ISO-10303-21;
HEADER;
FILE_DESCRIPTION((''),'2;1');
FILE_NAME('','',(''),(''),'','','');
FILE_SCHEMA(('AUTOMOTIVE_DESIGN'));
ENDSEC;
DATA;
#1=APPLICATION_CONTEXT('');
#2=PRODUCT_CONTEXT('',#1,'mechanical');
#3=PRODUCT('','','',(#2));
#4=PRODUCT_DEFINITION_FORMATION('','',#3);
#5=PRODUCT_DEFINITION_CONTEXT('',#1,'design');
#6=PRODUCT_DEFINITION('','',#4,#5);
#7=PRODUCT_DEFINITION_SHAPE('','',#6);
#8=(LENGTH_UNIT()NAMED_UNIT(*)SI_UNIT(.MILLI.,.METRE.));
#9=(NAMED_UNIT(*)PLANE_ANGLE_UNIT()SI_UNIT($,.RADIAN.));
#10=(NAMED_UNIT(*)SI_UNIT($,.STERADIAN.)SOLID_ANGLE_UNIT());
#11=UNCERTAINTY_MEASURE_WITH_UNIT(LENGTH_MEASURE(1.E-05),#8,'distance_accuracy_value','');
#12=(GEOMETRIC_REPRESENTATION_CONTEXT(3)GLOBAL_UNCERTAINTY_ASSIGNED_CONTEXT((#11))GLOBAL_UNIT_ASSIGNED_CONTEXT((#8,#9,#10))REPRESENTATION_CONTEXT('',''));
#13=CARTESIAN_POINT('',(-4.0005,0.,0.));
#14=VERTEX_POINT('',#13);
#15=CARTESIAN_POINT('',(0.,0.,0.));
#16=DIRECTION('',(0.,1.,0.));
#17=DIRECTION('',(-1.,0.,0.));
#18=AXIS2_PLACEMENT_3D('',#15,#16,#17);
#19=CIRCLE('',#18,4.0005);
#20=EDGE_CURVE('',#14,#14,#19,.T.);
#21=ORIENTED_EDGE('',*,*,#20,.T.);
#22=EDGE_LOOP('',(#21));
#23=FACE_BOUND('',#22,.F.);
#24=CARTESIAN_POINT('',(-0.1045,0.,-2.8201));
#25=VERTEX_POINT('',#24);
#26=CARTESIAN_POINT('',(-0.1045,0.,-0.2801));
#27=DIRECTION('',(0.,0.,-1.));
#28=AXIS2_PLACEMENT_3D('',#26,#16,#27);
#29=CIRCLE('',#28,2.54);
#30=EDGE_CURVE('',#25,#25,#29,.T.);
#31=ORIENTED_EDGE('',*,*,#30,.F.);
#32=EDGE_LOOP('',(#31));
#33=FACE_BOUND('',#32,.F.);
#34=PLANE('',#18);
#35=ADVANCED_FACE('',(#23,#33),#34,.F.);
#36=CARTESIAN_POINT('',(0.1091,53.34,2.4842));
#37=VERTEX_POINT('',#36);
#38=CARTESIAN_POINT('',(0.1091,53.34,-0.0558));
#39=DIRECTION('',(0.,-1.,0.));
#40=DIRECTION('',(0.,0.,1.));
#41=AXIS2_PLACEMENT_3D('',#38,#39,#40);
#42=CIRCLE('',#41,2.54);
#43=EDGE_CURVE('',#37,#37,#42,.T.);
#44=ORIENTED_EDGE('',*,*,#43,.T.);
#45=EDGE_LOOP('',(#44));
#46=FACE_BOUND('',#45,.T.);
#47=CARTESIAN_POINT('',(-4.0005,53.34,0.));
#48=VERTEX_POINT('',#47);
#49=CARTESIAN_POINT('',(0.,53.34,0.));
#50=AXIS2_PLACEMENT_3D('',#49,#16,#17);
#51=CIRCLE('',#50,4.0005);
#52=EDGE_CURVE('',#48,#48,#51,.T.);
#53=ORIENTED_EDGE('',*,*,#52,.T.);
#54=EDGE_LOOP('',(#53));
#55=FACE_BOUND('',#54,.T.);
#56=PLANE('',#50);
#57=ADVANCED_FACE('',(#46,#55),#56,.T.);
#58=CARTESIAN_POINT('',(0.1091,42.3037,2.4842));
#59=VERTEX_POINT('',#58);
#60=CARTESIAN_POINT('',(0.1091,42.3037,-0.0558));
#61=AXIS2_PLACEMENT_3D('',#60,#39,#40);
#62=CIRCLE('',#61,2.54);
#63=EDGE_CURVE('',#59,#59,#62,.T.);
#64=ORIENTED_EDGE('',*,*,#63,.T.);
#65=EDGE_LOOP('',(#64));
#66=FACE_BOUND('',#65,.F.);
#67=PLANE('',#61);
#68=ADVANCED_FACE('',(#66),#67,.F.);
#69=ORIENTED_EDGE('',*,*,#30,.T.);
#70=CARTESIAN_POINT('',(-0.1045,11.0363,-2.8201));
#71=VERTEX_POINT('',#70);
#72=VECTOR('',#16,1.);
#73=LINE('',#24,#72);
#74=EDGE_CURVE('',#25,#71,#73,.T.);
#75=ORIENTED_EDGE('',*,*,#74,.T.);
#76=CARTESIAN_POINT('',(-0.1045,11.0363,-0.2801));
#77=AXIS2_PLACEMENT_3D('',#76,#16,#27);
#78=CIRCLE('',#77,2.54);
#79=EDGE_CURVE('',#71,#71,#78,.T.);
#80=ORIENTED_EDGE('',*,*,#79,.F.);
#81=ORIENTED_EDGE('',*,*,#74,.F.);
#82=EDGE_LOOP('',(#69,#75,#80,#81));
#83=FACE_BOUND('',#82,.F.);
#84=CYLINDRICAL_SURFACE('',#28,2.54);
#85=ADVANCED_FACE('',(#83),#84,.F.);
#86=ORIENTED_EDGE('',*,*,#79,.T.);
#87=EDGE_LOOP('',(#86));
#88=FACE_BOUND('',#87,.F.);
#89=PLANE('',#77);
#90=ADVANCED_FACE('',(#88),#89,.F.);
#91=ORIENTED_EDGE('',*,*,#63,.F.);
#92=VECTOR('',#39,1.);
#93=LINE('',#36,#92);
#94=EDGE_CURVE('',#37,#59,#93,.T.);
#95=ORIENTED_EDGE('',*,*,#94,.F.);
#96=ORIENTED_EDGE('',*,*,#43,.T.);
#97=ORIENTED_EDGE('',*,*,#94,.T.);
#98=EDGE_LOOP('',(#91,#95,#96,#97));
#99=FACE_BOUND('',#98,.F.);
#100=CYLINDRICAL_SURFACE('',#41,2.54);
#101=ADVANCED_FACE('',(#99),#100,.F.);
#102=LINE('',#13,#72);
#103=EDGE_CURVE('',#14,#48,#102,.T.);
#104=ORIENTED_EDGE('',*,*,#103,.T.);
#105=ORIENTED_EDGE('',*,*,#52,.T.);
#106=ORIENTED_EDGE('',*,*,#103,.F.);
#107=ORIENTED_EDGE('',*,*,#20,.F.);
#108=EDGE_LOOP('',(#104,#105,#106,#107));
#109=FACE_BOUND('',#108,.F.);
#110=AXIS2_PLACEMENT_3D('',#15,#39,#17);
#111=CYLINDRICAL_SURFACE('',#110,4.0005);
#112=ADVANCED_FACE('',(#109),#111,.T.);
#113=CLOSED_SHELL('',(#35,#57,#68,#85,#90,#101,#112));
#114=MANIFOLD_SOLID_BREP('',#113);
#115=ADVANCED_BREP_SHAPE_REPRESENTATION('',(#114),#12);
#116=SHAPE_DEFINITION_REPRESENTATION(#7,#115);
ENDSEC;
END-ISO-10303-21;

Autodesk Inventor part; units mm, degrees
ref_plane "YZ Plane" through (0, 0, 0) normal (1, 0, 0) x (0, 1, 0)
ref_plane "XZ Plane" through (0, 0, 0) normal (0, 1, 0) x (-1, 0, 0)
sketch "Sketch1" plane through (0, 0, 0) normal (0, 1, 0) x (-1, 0, 0)
  circle A0 centre (0, 0) radius 4.0005
  dimension "d0" = 8.001
extrude "Extrusion1" add sketch "Sketch1" along normal blind 53.34
ref_plane "Work Plane1" through (0, 26.67, 0) normal (0, -1, 0) x (1, 0, 0)
sketch "Sketch3" plane through (0, 0, 0) normal (0, -1, 0) x (1, 0, 0)
  point P0 (0, 0)
  point P1 (-0.1045, -0.2801)
hole "Hole1" at (-0.1045, 0, -0.2801) direction (0, 1, 0) diameter 5.08 depth 11.0363
sketch "Sketch4" plane through (0, 53.34, 0) normal (0, 1, 0) x (1, 0, 0)
  point P0 (0, 0)
  point P1 (0.1091, 0.0558)
hole "Hole2" at (0.1091, 53.34, -0.0558) direction (0, -1, 0) diameter 5.08 depth 11.0363
properties part number "central rotator claw grabber_3DPrint"
